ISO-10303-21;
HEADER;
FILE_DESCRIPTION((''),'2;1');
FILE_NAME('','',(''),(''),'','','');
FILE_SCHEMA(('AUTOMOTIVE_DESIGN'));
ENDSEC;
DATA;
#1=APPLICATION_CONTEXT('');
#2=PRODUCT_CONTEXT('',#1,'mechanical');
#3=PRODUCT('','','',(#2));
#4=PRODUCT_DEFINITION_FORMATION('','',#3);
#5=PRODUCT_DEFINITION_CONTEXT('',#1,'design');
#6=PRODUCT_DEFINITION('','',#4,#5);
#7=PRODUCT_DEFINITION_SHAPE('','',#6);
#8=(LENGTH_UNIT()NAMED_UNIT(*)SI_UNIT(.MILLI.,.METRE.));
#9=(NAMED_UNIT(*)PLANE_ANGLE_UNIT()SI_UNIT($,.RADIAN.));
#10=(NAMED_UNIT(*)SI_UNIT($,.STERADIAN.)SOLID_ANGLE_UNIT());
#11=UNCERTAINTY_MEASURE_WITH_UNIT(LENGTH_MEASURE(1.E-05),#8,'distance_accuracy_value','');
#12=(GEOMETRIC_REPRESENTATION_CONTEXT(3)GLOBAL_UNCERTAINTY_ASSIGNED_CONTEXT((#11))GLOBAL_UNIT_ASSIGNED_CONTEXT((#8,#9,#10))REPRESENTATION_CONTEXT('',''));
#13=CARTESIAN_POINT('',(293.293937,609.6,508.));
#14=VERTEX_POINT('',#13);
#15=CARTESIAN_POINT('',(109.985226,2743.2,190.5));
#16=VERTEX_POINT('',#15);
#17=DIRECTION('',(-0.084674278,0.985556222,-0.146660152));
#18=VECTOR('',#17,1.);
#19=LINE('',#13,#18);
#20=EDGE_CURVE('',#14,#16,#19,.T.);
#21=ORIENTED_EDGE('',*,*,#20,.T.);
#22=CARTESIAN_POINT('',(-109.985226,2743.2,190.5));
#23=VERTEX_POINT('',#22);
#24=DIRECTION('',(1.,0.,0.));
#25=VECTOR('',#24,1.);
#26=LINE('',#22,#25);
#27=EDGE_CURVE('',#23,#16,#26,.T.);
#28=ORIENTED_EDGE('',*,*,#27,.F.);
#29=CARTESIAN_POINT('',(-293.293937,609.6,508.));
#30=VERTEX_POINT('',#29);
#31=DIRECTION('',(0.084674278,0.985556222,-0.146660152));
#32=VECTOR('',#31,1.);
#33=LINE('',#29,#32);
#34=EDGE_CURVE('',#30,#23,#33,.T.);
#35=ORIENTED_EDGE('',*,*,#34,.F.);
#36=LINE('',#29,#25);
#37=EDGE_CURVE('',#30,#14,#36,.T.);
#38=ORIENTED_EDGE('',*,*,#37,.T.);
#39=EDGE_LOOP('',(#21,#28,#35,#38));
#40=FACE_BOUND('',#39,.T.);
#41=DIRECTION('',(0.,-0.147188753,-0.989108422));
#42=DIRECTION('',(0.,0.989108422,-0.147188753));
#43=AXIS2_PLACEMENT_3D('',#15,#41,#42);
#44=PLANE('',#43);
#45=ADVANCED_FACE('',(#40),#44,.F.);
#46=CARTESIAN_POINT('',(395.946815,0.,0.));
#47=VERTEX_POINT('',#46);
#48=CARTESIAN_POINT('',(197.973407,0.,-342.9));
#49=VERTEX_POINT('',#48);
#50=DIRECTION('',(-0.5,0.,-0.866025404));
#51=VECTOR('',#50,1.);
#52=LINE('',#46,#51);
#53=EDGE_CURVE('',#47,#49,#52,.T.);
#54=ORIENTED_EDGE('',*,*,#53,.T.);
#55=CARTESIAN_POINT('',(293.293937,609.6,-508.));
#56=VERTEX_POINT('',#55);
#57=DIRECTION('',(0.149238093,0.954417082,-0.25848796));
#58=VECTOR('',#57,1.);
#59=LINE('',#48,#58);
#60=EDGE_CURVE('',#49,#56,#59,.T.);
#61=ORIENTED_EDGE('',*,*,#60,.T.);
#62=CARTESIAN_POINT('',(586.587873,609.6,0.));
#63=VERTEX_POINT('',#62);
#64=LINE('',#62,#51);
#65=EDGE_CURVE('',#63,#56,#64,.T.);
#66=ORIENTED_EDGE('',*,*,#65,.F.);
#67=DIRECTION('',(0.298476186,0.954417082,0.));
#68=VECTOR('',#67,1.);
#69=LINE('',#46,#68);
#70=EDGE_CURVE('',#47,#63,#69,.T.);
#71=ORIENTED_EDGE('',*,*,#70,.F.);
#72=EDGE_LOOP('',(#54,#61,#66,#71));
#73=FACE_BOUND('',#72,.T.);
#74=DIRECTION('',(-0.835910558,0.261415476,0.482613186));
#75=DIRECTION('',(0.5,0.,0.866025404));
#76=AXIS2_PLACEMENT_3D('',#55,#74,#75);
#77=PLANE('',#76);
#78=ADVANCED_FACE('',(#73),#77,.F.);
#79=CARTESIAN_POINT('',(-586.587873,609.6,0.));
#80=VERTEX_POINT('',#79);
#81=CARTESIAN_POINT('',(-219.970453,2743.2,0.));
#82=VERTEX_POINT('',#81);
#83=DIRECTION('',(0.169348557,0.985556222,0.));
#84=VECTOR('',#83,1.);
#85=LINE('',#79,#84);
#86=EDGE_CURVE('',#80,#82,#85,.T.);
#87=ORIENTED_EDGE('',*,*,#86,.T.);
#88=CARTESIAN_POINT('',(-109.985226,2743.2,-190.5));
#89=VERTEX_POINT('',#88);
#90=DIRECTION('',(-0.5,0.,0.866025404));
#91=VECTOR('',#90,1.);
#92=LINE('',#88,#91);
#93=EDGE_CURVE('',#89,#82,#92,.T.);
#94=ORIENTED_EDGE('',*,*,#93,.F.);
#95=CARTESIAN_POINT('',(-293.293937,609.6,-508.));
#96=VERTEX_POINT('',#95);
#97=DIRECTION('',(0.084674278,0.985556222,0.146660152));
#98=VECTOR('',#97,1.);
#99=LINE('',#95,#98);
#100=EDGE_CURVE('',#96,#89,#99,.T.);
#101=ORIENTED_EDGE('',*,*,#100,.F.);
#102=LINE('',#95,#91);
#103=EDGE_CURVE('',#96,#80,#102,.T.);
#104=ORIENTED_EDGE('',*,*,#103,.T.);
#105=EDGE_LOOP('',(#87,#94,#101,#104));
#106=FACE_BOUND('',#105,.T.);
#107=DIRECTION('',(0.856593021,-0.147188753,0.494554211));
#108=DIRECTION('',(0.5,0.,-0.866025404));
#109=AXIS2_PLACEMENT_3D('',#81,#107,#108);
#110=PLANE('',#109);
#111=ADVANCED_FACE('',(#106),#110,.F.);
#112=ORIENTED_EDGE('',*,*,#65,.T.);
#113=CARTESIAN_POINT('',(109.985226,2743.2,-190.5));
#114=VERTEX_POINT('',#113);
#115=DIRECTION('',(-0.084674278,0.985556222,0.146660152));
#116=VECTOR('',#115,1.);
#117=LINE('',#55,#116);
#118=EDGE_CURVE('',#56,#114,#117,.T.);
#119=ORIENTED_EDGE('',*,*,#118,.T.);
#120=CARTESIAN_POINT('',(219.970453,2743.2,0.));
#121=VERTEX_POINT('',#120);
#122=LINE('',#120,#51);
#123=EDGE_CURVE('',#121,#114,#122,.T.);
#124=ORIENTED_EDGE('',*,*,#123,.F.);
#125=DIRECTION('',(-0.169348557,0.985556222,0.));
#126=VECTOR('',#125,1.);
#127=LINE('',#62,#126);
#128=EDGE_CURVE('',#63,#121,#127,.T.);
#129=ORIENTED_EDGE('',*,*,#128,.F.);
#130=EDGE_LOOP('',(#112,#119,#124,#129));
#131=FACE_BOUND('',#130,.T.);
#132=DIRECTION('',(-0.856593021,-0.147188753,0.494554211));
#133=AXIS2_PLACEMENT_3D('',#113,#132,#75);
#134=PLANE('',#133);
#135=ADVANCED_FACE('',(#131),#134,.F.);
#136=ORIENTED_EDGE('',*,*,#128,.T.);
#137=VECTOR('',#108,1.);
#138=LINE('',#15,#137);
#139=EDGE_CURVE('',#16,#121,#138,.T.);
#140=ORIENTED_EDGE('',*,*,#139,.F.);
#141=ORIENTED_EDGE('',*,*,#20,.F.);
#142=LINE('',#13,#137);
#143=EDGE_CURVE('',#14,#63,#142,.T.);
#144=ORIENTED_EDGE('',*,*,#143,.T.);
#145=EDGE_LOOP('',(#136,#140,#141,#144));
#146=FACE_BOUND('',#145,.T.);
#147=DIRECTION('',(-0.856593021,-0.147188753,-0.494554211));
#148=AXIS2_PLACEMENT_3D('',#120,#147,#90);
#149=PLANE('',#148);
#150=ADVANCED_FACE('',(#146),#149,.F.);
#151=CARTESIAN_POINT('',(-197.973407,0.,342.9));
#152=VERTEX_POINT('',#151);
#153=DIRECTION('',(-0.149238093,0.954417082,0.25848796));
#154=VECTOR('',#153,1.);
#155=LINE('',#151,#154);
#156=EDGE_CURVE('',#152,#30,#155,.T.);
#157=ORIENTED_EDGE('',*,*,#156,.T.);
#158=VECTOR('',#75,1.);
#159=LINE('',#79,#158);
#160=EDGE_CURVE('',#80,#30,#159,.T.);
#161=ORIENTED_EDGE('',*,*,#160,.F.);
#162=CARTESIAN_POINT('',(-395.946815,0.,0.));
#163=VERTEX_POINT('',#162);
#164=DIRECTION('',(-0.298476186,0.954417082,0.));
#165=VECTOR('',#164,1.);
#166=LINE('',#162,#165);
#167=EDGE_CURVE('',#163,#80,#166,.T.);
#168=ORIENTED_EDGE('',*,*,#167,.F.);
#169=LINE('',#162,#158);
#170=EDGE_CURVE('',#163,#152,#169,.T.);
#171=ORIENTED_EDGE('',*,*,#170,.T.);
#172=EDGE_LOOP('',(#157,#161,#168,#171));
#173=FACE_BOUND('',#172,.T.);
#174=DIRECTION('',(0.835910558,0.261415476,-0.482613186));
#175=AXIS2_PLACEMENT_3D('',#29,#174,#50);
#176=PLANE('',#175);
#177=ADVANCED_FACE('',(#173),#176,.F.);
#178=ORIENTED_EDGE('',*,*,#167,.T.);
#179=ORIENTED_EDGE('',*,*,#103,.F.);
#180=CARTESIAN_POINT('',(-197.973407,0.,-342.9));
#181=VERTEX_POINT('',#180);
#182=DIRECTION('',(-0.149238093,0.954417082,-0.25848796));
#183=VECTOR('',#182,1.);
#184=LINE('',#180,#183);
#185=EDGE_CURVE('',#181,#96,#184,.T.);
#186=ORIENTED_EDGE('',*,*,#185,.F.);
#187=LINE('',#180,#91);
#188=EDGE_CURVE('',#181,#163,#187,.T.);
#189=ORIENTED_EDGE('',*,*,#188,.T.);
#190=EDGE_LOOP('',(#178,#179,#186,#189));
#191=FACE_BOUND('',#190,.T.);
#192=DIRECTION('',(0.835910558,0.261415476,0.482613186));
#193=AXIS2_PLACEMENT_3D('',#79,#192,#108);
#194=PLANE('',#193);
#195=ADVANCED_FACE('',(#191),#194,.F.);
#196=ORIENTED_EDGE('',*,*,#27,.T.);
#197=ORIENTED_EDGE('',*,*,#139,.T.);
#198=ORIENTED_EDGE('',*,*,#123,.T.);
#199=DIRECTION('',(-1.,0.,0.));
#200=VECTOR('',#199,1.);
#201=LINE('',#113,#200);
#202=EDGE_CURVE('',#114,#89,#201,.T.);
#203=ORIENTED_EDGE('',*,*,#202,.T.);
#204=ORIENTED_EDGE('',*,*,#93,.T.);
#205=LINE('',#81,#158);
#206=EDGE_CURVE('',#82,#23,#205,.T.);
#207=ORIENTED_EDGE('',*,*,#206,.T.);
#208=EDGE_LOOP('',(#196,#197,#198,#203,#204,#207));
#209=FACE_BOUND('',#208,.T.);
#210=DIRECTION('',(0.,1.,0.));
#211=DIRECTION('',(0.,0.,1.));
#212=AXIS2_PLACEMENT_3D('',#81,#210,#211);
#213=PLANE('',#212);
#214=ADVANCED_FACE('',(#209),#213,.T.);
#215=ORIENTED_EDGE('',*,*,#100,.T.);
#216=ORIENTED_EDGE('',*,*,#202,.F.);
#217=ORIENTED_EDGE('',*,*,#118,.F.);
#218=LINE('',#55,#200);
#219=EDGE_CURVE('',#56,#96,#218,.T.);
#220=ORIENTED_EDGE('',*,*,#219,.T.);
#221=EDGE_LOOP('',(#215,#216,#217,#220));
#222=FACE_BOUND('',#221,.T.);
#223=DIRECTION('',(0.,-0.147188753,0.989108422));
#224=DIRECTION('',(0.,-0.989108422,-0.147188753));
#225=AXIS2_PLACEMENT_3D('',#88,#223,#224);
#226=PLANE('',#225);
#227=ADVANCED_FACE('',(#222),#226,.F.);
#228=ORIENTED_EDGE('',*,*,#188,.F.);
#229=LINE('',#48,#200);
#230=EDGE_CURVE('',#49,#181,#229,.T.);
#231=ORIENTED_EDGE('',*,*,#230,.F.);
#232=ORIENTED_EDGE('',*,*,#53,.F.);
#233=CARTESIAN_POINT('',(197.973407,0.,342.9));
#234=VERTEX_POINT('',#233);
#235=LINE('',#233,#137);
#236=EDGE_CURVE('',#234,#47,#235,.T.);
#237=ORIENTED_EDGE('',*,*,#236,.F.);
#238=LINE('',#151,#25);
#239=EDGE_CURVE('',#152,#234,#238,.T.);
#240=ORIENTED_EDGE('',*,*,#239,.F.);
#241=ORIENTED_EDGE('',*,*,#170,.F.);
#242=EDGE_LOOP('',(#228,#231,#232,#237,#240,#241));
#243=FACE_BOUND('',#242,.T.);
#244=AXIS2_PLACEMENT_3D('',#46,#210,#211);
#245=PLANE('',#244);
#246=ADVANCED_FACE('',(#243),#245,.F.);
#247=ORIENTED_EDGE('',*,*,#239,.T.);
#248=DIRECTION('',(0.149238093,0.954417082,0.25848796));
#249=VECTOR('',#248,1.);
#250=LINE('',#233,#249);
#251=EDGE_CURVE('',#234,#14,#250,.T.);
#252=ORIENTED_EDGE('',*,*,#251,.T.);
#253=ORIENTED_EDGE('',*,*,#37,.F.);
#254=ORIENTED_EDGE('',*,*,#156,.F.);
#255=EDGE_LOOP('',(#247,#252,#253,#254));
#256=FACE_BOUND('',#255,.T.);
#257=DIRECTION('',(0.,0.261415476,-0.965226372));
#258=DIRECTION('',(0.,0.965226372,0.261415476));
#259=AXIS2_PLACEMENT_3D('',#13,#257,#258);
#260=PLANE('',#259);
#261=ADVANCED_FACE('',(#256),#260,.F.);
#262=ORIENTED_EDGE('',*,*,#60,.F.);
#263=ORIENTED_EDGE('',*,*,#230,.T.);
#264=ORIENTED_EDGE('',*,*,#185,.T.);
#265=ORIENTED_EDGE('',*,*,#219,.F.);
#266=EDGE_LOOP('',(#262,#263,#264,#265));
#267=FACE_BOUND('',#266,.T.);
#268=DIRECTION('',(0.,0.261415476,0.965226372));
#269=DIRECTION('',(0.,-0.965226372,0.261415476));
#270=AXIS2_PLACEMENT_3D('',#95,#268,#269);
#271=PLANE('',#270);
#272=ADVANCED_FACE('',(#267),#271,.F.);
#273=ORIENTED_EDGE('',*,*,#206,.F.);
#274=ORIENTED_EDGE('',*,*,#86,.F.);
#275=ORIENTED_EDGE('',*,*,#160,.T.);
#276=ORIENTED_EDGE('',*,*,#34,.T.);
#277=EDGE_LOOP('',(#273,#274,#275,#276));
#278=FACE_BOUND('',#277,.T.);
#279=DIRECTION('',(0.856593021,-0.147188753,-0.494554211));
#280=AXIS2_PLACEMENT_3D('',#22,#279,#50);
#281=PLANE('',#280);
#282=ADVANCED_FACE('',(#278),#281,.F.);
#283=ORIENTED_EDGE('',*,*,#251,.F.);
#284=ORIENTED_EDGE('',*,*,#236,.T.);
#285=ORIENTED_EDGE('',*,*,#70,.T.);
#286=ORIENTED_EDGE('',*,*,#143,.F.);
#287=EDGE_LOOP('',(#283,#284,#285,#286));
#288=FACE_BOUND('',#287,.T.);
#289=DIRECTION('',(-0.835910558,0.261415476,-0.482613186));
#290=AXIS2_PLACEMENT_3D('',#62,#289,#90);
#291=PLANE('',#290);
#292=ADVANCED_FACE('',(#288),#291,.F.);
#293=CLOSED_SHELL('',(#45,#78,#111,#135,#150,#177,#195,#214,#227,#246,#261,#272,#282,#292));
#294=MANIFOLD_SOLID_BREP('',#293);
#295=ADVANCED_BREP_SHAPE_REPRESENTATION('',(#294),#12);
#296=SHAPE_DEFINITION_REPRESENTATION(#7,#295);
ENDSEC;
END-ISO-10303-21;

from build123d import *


with BuildPart() as part:
    # Sketch1 → Loft6 section 0
    with BuildSketch(Plane(origin=(0, 0, 0), x_dir=(1, 0, 0), z_dir=(0, 1, 0))):
        with BuildLine():
            Line((395.94681461, 0), (197.973407305, 342.9))
            Line((197.973407305, 342.9), (-197.973407305, 342.9))
            Line((-197.973407305, 342.9), (-395.94681461, 0))
            Line((-395.94681461, 0), (-197.973407305, -342.9))
            Line((-197.973407305, -342.9), (197.973407305, -342.9))
            Line((197.973407305, -342.9), (395.94681461, 0))
        make_face()
    # Sketch3 → Loft6 section 1
    with BuildSketch(Plane(origin=(0, 609.6, 0), x_dir=(-1, 0, 0), z_dir=(0, 1, 0))):
        with BuildLine():
            Line((-586.587873497, 0), (-293.293936748, -508))
            Line((-293.293936748, -508), (293.293936748, -508))
            Line((293.293936748, -508), (586.587873497, 0))
            Line((586.587873497, 0), (293.293936748, 508))
            Line((293.293936748, 508), (-293.293936748, 508))
            Line((-293.293936748, 508), (-586.587873497, 0))
        make_face()
    loft()

    # Sketch3<4> → Loft7 section 0
    with BuildSketch(Plane(origin=(0, 609.6, 0), x_dir=(-1, 0, 0), z_dir=(0, 1, 0))):
        with BuildLine():
            Line((-586.587873497, 0), (-293.293936748, -508))
            Line((-293.293936748, -508), (293.293936748, -508))
            Line((293.293936748, -508), (586.587873497, 0))
            Line((586.587873497, 0), (293.293936748, 508))
            Line((293.293936748, 508), (-293.293936748, 508))
            Line((-293.293936748, 508), (-586.587873497, 0))
        make_face()
    # Sketch4 → Loft7 section 1
    with BuildSketch(Plane(origin=(0, 2743.2, 0), x_dir=(-1, 0, 0), z_dir=(0, 1, 0))):
        with BuildLine():
            Line((219.970452561, 0), (109.985226281, 190.5))
            Line((109.985226281, 190.5), (-109.985226281, 190.5))
            Line((-109.985226281, 190.5), (-219.970452561, 0))
            Line((-219.970452561, 0), (-109.985226281, -190.5))
            Line((-109.985226281, -190.5), (109.985226281, -190.5))
            Line((109.985226281, -190.5), (219.970452561, 0))
        make_face()
    loft()


solid = part.part
